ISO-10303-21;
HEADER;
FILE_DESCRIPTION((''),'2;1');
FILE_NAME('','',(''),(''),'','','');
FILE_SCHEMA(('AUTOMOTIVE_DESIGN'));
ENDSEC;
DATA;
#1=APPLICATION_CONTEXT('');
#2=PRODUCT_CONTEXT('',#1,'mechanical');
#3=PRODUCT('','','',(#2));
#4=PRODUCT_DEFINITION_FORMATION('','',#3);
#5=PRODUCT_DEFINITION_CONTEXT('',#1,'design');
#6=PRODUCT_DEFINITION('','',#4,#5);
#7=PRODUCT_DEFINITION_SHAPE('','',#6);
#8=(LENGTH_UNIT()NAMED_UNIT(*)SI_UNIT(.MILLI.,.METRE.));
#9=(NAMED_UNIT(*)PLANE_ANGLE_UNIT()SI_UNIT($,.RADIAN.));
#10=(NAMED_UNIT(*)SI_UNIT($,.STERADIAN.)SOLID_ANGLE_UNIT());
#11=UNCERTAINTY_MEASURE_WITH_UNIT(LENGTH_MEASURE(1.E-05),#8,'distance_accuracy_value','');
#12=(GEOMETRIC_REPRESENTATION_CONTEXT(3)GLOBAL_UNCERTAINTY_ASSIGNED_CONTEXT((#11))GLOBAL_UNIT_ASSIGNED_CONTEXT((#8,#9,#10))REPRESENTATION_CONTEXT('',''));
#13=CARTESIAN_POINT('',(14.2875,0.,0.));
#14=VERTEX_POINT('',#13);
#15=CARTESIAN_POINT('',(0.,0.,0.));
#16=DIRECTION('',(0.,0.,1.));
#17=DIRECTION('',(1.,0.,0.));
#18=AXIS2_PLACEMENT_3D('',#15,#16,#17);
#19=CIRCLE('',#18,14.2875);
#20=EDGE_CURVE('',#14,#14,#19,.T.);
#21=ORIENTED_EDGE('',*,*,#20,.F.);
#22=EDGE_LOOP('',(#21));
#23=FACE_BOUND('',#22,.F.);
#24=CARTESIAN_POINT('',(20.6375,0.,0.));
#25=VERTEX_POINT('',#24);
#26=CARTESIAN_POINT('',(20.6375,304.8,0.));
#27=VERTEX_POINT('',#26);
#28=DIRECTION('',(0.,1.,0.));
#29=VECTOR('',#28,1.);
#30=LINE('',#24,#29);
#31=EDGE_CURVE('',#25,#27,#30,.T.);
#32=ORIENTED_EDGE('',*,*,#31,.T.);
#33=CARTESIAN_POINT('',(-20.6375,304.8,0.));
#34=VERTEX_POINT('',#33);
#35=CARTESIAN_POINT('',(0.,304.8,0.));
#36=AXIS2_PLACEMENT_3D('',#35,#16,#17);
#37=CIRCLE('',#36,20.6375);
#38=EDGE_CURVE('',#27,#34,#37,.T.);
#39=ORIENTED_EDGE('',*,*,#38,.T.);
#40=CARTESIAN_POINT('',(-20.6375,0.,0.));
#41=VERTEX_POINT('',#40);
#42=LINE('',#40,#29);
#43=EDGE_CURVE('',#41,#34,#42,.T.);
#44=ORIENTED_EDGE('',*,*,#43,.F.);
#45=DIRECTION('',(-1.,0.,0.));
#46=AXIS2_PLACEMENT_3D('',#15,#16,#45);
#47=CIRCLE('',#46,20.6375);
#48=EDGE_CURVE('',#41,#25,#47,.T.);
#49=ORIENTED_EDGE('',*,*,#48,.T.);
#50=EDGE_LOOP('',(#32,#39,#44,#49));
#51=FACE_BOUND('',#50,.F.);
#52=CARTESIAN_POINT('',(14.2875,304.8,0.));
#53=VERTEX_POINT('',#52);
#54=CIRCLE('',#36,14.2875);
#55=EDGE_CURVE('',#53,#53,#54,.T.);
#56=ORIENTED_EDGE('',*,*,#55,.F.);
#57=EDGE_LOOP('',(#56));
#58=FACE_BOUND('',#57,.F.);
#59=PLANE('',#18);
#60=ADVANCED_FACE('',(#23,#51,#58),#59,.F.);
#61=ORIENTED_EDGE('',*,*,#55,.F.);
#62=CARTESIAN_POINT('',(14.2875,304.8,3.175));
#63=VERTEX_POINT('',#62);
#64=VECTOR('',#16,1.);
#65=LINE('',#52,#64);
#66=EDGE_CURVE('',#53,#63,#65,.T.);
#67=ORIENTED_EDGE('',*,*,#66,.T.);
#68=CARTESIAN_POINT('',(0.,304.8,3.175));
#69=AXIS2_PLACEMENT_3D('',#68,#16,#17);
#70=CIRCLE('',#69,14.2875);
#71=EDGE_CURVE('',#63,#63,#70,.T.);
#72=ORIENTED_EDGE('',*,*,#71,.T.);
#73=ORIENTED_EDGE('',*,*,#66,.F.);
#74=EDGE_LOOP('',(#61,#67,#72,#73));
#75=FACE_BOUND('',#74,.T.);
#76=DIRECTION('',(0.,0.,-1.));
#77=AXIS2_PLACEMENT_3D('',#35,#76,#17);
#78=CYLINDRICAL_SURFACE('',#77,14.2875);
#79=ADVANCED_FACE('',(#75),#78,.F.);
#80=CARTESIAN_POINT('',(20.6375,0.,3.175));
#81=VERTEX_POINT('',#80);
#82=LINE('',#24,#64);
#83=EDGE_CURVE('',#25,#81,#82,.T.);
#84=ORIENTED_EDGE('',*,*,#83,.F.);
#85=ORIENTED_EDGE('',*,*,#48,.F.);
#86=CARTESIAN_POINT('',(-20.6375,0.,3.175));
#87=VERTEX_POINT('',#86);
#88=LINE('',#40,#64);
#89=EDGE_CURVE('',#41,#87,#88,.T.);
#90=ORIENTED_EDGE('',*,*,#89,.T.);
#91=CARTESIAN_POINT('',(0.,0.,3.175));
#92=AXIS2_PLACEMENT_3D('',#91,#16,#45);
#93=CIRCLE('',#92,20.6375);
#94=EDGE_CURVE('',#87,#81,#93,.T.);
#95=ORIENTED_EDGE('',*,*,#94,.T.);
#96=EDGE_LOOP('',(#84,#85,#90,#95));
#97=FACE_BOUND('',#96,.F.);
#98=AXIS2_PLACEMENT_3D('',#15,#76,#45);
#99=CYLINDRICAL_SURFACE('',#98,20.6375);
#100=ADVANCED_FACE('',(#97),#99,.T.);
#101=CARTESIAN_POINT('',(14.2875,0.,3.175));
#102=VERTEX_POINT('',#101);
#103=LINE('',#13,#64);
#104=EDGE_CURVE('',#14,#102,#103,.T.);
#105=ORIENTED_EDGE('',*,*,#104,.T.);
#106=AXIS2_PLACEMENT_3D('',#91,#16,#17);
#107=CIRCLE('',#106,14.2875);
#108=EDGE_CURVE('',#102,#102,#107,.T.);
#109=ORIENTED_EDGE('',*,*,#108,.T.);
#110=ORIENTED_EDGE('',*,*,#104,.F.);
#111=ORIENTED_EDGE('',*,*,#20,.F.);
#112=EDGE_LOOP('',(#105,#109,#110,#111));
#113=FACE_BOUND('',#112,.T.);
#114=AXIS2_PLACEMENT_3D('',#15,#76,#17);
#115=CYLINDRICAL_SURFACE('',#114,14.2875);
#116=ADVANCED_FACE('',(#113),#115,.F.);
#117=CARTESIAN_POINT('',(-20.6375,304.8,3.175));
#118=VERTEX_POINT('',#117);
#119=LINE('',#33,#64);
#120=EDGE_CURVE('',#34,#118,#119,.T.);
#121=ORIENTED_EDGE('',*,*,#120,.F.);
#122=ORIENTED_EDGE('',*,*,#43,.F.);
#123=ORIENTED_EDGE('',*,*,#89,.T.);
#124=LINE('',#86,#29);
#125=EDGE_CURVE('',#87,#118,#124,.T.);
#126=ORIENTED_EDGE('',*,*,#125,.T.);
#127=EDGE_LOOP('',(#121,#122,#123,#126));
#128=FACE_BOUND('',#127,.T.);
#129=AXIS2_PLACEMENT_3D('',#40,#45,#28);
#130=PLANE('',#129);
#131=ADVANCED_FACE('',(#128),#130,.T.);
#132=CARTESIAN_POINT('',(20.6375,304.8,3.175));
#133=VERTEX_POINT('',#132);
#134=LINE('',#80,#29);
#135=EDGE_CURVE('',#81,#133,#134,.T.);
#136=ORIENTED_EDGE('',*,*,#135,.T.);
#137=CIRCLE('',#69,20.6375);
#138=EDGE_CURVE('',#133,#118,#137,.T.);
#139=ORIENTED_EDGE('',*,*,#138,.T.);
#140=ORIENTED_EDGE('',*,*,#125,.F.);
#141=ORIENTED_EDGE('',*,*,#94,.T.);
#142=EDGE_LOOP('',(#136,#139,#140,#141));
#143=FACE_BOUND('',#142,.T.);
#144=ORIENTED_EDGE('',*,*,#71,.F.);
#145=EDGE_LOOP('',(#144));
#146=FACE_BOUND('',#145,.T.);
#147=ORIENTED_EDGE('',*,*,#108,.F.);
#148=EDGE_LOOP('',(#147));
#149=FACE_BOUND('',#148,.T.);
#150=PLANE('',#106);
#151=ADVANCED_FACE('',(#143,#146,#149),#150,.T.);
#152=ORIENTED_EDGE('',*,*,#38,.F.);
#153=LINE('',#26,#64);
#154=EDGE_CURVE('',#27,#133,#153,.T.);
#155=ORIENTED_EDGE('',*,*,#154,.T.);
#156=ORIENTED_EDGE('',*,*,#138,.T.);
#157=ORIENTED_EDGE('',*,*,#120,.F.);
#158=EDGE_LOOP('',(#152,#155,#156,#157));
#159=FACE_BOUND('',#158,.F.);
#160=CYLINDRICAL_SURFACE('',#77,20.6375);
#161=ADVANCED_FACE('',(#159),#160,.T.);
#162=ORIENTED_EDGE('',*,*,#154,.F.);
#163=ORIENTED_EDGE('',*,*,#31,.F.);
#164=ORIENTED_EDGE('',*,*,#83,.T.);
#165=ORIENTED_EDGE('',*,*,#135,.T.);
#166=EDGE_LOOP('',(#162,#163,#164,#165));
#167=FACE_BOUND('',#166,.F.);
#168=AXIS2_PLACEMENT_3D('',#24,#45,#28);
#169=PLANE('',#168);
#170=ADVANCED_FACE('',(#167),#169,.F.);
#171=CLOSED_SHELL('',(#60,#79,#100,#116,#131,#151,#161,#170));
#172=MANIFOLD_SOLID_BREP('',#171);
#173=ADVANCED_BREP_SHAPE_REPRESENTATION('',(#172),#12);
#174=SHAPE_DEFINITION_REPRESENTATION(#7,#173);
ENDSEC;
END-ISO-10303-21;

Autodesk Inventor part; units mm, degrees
ref_plane "YZ Plane" through (0, 0, 0) normal (1, 0, 0) x (0, 1, 0)
ref_plane "XZ Plane" through (0, 0, 0) normal (0, 1, 0) x (-1, 0, 0)
ref_plane "XY Plane" through (0, 0, 0) normal (0, 0, 1) x (1, 0, 0)
sketch "Sketch1" plane through (0, 0, 0) normal (0, 0, 1) x (1, 0, 0)
  arc A0 (-20.6375, 0) -> (20.6375, 0) centre (0, 0) ccw
  line L0 (-20.6375, 0) -> (-20.6375, 304.8)
  line L1 (20.6375, 0) -> (20.6375, 304.8)
  arc A1 (20.6375, 304.8) -> (-20.6375, 304.8) centre (0, 304.8) ccw
  circle A2 centre (0, 304.8) radius 14.2875
  circle A3 centre (0, 0) radius 14.2875
  arc A4 (-20.6375, 304.8) -> (20.6375, 304.8) centre (0, 304.8) ccw construction
  arc A5 (20.6375, 0) -> (-20.6375, 0) centre (0, 0) ccw construction
  dimension "d0" = 304.8
  dimension "d2" = 28.575
  dimension "d3" = 6.35
extrude "Extrusion1" add sketch "Sketch1" along normal blind 3.175
properties part number "upper-arm-panel"
